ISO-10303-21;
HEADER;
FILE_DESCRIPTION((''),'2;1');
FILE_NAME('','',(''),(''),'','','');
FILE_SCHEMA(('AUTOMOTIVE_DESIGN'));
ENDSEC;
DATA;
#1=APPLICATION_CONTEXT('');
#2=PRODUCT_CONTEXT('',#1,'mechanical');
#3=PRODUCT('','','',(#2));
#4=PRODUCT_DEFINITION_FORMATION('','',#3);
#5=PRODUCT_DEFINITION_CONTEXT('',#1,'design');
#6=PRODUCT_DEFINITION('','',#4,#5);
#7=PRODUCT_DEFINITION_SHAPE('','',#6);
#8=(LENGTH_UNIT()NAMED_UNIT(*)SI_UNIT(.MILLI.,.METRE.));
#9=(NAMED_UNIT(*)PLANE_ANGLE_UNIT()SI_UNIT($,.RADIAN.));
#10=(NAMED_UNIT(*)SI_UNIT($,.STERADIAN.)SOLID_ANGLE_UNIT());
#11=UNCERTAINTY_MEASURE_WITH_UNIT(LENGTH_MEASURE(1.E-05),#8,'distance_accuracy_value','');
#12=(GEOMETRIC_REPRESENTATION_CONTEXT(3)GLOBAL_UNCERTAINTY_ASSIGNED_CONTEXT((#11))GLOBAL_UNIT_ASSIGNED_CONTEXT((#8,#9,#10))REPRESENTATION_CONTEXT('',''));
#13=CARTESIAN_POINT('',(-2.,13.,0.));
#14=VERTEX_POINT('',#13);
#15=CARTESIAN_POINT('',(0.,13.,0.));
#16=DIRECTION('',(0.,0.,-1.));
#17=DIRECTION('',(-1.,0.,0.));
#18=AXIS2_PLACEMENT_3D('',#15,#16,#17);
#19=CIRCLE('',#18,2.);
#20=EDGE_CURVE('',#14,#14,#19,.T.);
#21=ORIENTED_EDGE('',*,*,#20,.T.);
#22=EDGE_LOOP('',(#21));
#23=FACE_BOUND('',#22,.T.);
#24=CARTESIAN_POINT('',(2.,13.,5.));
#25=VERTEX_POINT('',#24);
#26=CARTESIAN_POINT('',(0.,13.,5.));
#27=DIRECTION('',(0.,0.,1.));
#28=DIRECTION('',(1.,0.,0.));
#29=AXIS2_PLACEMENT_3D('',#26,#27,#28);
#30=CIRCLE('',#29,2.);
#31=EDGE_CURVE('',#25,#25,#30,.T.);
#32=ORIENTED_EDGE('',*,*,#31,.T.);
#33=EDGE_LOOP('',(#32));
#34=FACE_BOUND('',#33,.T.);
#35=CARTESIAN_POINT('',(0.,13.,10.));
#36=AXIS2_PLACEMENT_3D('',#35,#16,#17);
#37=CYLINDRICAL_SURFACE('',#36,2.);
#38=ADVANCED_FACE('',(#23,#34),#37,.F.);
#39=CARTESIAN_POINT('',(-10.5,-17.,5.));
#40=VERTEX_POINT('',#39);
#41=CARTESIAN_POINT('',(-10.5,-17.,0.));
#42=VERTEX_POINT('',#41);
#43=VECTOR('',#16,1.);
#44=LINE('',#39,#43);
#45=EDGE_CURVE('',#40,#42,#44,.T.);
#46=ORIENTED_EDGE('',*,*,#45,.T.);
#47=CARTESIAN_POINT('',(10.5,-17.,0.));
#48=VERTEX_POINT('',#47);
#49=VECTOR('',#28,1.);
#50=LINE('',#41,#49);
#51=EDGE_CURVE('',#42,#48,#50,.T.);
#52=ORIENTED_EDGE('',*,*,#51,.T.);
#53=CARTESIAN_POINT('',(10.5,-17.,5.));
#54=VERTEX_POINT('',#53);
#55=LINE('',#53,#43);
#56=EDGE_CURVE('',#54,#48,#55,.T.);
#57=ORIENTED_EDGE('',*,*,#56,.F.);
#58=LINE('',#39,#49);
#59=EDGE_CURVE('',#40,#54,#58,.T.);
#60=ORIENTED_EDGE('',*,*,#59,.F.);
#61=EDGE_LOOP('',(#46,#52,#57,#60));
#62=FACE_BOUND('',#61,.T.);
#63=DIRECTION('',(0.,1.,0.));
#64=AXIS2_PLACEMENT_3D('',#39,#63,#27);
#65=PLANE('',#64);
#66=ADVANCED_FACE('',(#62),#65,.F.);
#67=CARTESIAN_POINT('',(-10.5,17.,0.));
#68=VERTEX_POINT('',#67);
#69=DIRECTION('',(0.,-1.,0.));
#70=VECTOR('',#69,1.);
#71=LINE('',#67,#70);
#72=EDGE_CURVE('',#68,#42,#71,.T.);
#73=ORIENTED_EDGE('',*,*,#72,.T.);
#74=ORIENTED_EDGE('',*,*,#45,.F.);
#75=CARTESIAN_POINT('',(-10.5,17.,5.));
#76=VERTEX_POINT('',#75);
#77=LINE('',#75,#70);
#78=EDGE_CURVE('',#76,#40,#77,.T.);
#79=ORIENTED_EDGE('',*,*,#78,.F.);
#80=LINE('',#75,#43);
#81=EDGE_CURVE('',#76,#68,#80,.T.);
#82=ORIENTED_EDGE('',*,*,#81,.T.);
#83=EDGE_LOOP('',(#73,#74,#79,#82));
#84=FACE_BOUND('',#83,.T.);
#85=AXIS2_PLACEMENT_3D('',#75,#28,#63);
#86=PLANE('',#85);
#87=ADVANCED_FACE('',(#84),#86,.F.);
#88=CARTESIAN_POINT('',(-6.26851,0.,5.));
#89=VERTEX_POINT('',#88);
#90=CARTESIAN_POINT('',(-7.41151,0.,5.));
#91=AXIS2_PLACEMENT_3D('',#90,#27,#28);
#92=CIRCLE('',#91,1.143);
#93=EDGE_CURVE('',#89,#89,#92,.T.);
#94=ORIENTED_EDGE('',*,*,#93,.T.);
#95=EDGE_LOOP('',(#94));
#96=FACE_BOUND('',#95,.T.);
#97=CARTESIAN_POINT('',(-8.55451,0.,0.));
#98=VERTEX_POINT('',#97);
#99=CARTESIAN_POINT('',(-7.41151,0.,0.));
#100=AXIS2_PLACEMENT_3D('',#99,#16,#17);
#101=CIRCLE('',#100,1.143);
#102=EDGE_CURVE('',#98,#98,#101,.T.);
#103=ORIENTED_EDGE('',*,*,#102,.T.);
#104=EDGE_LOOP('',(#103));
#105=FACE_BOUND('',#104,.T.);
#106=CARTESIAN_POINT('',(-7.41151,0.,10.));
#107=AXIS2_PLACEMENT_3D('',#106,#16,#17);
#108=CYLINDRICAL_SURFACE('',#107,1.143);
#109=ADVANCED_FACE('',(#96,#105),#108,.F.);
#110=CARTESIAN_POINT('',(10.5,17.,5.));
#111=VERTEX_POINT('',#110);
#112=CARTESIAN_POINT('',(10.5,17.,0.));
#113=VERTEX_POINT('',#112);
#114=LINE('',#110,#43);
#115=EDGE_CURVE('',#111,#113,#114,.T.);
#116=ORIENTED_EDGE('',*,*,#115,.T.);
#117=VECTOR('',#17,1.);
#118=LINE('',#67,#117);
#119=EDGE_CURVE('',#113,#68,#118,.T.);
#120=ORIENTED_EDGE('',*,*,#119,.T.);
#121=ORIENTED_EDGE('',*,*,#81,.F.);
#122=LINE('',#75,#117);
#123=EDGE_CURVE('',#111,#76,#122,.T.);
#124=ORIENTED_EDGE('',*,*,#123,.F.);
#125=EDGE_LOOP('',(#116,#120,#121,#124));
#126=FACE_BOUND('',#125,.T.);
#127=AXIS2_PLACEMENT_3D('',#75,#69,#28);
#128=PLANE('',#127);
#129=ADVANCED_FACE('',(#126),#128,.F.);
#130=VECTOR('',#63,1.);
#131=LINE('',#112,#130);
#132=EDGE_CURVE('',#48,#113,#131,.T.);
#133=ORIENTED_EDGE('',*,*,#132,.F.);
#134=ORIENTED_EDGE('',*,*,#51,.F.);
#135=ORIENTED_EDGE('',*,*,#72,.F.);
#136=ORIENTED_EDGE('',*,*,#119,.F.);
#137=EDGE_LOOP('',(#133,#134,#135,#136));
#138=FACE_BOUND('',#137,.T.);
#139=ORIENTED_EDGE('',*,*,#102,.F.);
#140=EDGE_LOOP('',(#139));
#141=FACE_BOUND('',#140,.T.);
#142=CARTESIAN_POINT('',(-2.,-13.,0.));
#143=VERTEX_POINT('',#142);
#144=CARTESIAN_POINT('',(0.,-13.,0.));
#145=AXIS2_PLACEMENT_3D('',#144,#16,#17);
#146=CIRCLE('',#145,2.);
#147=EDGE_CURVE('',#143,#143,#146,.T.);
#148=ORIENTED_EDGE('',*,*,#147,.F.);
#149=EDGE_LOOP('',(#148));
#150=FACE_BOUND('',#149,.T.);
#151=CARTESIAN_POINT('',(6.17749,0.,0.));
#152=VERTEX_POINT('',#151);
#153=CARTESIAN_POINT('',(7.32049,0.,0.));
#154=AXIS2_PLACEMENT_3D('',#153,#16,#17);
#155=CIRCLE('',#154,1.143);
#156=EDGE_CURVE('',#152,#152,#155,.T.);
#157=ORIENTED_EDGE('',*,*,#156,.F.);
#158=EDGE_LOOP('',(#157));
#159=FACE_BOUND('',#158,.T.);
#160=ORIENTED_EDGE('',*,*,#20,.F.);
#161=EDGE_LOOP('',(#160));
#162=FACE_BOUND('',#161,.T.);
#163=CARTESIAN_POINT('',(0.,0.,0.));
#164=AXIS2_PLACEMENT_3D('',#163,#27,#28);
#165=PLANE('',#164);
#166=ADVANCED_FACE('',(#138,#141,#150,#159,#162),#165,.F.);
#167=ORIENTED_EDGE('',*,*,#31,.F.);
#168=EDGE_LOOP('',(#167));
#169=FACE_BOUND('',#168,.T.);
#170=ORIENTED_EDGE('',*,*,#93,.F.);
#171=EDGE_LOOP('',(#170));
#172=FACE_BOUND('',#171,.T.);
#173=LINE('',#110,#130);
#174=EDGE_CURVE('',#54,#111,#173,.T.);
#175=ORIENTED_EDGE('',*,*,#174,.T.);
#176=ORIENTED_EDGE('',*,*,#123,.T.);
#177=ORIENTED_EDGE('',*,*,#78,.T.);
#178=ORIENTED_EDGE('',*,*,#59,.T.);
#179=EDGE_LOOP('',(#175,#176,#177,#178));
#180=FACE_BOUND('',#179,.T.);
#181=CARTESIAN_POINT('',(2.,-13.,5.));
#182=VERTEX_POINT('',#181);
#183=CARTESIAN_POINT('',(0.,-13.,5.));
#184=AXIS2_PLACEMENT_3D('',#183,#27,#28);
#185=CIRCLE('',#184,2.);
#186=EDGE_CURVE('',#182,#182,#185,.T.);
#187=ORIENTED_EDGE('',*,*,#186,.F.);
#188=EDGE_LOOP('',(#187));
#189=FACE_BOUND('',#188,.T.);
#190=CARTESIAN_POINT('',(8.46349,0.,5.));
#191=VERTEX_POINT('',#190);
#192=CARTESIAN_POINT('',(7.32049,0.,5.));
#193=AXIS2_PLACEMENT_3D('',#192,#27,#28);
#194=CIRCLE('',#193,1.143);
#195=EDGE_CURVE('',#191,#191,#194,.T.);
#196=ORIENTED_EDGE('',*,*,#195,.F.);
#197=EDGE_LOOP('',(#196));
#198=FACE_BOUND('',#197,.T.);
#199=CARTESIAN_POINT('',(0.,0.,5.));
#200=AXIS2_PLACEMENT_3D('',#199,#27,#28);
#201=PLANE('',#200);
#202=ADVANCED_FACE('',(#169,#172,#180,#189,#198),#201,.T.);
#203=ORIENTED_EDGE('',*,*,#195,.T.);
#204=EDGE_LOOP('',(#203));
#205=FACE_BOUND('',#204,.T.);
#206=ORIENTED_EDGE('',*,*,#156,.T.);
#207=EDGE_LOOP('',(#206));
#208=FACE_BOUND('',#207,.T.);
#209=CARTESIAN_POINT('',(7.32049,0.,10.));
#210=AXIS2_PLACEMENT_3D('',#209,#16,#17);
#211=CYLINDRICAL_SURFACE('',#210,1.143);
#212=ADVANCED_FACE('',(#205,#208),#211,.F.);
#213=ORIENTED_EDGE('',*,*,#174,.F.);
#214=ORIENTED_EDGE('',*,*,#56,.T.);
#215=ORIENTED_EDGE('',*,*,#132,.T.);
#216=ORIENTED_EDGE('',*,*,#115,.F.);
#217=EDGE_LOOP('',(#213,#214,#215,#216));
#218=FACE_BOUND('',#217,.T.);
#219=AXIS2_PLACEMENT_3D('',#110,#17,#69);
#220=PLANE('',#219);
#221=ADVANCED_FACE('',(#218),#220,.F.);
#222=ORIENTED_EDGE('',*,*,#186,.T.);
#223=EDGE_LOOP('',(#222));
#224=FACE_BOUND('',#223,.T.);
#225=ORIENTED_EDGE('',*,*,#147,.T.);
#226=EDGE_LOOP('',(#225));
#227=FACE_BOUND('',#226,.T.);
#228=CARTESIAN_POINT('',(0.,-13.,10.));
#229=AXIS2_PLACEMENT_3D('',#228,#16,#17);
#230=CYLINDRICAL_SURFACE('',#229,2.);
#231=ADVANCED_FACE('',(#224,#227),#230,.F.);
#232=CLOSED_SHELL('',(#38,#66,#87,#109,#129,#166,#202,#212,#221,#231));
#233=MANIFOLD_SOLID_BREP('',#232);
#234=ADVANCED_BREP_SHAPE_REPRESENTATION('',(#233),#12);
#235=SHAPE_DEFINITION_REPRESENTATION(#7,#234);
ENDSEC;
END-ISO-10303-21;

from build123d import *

# Parameters (mm, degrees)
SKETCH1_W           = 21
SKETCH1_H           = 34
BOSS_EXTRUDE1_DEPTH = 5
SKETCH2_R           = 1.143
CUT_EXTRUDE1_DEPTH  = 10
SKETCH3_R           = 2
CUT_EXTRUDE2_DEPTH  = 10


with BuildPart() as part:
    # Sketch1 → Boss-Extrude1 (new body)
    with BuildSketch(Plane.XY):
        Rectangle(SKETCH1_W, SKETCH1_H)
    extrude(amount=BOSS_EXTRUDE1_DEPTH)

    # Sketch2 → Cut-Extrude1 (cut)
    with BuildSketch(Plane(origin=(0, 0, 0), x_dir=(-1, 0, 0), z_dir=(0, 0, -1))):
        with Locations((7.411509934, 0)):
            Circle(SKETCH2_R)
        with Locations((-7.320490066, 0)):
            Circle(SKETCH2_R)
    extrude(amount=-CUT_EXTRUDE1_DEPTH, mode=Mode.SUBTRACT)

    # Sketch3 → Cut-Extrude2 (cut)
    with BuildSketch(Plane(origin=(0, 0, 0), x_dir=(-1, 0, 0), z_dir=(0, 0, -1))):
        with Locations((0, -13)):
            Circle(SKETCH3_R)
        with Locations((0, 13)):
            Circle(SKETCH3_R)
    extrude(amount=-CUT_EXTRUDE2_DEPTH, mode=Mode.SUBTRACT)


solid = part.part
